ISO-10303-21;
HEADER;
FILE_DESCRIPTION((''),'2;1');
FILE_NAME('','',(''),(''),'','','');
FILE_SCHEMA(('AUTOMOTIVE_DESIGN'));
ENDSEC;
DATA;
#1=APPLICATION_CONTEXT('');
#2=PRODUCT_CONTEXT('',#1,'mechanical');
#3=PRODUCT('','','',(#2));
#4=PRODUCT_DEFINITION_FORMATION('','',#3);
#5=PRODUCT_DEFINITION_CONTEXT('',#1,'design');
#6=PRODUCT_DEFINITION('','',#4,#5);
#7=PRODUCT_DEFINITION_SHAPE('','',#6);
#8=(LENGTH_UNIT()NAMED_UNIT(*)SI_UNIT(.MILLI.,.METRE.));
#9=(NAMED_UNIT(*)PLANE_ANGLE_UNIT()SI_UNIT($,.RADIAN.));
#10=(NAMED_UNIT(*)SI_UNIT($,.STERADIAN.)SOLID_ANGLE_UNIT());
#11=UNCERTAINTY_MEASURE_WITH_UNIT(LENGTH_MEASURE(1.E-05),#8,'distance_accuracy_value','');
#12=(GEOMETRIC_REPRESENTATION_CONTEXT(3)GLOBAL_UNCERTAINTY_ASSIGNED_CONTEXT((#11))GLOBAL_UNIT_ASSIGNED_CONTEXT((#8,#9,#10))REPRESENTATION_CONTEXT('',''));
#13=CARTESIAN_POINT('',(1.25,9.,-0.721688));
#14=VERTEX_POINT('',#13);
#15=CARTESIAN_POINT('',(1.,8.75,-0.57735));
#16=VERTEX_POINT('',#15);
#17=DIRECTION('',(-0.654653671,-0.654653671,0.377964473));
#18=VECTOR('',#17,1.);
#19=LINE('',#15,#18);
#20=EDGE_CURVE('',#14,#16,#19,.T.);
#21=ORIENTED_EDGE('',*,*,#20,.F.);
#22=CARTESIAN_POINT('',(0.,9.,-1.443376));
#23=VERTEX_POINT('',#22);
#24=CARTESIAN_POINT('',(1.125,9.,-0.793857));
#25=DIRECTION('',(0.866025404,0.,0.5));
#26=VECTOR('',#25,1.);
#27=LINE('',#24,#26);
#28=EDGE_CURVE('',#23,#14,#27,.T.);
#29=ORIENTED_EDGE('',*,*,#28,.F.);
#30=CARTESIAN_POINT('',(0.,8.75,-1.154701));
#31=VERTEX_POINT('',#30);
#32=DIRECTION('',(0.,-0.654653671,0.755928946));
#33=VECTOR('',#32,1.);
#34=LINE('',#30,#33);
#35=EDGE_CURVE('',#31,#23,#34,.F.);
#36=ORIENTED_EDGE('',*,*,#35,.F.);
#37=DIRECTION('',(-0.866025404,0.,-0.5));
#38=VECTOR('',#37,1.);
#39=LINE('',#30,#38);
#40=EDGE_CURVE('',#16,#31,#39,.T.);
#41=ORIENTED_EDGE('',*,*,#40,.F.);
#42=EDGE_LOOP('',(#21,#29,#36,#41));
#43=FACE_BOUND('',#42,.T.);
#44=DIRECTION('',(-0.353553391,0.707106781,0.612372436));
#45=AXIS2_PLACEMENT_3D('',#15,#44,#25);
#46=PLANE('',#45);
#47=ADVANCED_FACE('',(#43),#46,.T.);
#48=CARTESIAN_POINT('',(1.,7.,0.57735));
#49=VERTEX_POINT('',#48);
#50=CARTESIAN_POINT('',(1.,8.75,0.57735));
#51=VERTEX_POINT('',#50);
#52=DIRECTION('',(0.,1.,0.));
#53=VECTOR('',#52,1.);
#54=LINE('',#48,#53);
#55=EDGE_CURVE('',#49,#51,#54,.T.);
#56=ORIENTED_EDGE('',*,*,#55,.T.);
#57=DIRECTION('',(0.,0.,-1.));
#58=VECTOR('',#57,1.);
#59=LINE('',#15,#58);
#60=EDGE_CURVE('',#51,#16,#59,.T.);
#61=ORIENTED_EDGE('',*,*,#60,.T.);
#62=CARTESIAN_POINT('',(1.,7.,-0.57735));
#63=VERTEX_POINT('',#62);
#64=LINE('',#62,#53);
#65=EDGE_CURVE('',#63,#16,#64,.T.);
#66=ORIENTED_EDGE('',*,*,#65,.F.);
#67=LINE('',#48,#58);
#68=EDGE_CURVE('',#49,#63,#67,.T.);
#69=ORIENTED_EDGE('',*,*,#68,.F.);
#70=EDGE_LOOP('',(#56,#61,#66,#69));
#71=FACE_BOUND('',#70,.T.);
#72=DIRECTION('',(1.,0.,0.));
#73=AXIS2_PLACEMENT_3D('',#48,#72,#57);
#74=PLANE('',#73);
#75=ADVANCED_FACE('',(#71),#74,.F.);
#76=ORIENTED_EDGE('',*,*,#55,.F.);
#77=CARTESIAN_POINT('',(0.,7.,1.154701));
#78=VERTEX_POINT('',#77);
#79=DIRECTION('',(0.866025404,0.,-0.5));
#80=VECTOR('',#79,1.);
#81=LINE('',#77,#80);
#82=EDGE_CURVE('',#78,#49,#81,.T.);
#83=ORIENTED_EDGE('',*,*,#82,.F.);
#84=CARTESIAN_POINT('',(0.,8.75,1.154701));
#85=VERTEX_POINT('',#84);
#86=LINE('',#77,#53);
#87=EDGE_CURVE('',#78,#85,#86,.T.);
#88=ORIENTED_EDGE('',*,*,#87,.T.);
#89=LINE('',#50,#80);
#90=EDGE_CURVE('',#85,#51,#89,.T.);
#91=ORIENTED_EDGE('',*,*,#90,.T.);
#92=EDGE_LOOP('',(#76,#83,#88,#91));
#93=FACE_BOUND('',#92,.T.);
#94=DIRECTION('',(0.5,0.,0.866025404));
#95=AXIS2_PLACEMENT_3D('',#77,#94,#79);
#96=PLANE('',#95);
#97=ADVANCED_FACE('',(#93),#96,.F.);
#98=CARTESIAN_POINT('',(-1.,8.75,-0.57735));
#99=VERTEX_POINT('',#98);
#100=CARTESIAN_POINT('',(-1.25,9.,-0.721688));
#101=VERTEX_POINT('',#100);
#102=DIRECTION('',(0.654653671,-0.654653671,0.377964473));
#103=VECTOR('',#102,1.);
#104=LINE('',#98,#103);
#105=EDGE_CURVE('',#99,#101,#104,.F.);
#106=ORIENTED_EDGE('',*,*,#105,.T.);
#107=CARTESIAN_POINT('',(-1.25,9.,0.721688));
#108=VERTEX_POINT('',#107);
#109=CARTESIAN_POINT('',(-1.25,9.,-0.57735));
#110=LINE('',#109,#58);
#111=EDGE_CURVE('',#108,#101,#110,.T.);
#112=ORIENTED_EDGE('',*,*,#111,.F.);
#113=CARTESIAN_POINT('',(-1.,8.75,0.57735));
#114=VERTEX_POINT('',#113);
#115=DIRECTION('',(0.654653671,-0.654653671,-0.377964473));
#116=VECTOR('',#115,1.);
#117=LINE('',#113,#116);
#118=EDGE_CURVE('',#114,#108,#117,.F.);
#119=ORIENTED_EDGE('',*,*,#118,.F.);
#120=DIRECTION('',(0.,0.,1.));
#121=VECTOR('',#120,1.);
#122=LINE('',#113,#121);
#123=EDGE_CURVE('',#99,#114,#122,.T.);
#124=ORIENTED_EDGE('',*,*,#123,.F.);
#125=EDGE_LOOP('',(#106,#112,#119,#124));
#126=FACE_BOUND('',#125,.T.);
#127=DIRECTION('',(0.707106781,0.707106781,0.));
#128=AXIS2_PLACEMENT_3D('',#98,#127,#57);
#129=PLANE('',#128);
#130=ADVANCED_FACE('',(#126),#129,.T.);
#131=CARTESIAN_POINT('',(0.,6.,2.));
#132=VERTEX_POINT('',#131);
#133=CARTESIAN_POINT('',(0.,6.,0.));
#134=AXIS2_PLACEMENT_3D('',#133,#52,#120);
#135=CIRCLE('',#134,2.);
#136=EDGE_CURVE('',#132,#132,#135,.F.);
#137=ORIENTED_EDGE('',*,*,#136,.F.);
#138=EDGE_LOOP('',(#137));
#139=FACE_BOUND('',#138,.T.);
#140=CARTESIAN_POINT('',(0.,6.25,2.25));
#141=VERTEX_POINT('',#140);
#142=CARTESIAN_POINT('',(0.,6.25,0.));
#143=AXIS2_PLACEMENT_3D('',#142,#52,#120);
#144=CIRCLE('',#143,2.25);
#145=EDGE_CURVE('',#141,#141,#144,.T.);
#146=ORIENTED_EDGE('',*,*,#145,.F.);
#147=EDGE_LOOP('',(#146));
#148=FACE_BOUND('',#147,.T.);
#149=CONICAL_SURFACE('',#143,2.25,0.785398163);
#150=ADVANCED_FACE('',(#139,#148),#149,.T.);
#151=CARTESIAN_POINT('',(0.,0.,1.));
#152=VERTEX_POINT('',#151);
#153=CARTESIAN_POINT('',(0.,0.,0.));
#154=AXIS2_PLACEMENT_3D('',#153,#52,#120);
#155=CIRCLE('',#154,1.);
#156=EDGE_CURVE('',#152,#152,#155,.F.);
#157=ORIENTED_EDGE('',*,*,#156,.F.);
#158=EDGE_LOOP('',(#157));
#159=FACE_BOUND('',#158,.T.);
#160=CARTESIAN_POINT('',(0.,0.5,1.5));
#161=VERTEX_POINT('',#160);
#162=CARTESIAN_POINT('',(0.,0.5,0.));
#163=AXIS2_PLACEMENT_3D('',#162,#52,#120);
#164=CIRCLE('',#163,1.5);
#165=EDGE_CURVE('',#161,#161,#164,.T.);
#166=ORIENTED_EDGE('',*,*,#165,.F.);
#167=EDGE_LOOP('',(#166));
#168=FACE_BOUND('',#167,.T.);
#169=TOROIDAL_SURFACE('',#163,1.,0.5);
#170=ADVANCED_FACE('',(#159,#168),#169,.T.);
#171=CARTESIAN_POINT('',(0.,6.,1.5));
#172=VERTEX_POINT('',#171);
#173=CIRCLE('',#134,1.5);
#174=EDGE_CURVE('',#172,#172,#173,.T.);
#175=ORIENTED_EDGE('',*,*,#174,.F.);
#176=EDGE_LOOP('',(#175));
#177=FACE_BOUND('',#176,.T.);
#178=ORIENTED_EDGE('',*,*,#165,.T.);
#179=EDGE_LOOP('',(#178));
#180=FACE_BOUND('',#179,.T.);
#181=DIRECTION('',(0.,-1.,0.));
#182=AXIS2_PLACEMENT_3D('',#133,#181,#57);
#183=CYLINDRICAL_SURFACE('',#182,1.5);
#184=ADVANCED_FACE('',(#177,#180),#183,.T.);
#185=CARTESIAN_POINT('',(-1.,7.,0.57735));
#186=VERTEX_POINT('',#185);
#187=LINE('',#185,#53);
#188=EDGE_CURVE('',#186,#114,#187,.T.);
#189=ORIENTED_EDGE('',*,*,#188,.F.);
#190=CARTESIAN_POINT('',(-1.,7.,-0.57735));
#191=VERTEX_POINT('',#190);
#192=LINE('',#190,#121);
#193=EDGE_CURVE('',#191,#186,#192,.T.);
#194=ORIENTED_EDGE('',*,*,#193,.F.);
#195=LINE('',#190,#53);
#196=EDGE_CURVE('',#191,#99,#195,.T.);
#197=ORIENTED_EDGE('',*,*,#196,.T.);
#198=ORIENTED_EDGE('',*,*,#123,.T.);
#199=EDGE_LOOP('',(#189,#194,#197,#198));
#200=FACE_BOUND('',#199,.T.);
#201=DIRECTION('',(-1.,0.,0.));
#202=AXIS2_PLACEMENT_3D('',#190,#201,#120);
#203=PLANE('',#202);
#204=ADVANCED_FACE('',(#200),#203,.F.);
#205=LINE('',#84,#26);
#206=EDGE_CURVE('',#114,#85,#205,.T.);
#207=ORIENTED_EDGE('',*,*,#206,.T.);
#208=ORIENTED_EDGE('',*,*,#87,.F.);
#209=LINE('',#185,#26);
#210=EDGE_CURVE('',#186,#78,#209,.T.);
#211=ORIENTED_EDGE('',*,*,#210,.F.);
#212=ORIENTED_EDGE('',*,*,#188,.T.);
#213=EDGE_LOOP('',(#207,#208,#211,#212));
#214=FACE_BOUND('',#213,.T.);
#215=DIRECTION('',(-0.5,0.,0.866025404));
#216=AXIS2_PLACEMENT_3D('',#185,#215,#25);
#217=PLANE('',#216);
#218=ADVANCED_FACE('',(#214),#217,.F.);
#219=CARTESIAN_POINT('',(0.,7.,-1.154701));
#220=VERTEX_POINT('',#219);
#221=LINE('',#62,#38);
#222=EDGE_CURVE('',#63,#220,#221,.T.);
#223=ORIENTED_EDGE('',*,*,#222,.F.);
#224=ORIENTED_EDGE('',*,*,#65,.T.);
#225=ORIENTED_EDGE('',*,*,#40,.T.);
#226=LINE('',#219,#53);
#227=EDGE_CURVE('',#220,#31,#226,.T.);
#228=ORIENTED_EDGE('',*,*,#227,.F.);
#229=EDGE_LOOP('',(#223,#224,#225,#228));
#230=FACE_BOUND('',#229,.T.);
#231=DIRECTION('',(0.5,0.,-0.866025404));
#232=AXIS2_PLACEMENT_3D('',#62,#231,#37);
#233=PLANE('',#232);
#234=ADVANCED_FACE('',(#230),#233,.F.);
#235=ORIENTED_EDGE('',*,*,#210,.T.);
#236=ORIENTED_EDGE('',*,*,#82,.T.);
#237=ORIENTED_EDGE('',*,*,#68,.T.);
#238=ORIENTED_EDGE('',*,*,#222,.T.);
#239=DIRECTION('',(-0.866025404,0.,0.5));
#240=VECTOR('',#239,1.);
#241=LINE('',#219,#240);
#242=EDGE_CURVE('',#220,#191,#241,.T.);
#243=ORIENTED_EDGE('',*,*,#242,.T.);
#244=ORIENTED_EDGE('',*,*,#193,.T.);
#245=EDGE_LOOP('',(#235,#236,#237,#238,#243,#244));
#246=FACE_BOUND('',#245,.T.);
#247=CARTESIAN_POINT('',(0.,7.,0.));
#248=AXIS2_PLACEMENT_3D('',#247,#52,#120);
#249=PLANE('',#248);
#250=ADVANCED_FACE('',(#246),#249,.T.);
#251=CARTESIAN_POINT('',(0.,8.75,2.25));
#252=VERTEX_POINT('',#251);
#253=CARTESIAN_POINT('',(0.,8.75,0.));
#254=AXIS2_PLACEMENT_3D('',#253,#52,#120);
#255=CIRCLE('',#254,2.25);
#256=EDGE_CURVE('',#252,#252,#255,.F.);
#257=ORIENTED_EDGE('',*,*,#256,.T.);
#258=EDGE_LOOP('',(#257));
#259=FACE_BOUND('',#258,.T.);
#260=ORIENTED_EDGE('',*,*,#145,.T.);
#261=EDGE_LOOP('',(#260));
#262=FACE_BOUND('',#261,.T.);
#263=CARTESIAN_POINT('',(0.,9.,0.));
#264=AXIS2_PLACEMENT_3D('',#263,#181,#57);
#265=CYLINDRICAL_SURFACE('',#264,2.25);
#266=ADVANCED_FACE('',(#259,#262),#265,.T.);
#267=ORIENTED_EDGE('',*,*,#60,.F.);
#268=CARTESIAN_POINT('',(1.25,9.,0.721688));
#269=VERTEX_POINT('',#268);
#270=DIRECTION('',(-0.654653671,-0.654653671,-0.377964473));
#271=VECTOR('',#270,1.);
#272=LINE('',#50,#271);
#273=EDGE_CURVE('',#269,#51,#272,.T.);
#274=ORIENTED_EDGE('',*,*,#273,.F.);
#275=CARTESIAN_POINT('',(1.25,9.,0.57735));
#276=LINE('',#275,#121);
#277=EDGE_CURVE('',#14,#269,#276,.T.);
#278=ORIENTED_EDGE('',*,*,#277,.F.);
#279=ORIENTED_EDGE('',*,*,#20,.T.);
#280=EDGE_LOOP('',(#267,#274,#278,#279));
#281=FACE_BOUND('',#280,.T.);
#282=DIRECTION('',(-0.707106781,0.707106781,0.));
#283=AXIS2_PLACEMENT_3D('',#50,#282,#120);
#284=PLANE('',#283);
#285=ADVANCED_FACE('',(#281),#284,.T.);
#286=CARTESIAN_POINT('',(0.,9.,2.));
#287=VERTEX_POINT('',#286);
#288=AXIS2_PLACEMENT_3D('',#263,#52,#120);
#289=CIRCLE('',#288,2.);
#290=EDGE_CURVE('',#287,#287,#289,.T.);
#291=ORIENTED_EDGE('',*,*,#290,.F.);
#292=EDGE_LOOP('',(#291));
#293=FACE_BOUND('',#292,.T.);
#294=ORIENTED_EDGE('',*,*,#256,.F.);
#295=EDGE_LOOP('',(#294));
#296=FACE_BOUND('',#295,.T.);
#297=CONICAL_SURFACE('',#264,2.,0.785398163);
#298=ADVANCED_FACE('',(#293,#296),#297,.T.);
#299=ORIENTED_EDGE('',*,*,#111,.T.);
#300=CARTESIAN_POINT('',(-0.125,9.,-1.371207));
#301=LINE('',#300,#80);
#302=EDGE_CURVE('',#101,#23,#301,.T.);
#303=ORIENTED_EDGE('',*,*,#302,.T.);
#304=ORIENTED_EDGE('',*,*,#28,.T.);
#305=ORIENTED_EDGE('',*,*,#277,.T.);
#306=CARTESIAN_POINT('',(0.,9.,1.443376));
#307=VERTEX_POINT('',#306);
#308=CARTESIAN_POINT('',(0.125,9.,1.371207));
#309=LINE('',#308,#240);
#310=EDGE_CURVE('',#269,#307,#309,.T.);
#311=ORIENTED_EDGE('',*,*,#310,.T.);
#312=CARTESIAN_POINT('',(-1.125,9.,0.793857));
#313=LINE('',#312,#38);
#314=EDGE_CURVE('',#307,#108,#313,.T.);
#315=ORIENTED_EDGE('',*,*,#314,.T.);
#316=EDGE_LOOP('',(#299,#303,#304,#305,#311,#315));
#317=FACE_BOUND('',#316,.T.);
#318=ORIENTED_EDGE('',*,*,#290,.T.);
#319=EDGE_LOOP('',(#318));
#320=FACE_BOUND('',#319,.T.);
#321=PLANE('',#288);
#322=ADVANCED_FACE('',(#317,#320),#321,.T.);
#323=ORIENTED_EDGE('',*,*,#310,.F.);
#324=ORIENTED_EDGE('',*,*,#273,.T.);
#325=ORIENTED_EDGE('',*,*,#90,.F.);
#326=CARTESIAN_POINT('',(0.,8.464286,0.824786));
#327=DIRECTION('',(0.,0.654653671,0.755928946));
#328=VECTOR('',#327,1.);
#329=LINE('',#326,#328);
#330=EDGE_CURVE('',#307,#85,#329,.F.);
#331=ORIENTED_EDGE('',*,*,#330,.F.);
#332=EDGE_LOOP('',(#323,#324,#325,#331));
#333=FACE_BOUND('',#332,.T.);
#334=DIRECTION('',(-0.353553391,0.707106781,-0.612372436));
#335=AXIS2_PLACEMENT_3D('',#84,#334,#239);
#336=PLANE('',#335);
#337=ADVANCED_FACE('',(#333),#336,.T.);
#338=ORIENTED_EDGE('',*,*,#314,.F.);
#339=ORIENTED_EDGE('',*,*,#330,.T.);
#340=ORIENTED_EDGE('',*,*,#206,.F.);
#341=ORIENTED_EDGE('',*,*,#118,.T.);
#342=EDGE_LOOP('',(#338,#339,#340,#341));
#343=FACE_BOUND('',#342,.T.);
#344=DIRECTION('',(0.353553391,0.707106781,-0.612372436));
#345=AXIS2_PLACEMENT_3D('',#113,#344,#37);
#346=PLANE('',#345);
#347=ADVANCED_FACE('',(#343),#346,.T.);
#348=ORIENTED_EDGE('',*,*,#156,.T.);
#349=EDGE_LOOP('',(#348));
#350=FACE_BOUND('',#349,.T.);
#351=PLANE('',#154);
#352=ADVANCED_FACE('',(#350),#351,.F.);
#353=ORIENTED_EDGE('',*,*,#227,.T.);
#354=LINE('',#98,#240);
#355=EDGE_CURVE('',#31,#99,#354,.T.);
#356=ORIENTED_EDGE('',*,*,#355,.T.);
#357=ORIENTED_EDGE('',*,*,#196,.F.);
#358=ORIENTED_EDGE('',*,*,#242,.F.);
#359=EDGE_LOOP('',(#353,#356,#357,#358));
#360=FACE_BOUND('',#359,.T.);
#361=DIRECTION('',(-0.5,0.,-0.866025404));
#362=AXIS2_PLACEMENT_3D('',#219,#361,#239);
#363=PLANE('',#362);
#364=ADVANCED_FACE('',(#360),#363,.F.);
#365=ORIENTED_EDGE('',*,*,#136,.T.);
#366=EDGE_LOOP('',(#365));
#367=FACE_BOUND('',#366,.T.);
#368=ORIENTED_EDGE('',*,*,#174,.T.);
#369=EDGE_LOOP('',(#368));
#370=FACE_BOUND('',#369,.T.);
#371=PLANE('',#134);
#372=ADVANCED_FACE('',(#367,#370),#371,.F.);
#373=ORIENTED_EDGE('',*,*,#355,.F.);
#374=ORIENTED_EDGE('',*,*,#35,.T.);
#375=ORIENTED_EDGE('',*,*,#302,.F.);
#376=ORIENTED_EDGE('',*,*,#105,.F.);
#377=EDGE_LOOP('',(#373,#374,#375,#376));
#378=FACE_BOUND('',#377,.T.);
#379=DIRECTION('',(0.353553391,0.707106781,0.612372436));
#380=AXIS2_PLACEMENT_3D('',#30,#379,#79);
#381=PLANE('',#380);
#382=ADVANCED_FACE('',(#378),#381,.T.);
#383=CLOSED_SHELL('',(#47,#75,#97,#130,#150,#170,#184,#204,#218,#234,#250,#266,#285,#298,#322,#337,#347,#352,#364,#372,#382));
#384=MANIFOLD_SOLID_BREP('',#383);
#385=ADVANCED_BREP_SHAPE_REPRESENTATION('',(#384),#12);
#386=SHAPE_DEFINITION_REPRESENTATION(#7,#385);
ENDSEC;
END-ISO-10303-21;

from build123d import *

# Parameters (mm, degrees)
SKETCH1_R           = 1.5
BOSS_EXTRUDE1_DEPTH = 6
SKETCH2_R           = 2.25
BOSS_EXTRUDE2_DEPTH = 3
CUT_EXTRUDE1_DEPTH  = 2
CHAMFER1_SIZE       = 0.25
FILLET1_R           = 0.5


with BuildPart() as part:
    # Sketch1 → Boss-Extrude1 (new body)
    with BuildSketch(Plane(origin=(0, 0, 0), x_dir=(1, 0, 0), z_dir=(0, 1, 0))):
        with Locations(Location((0, 0, 0), (0, 0, 270))):
            Circle(SKETCH1_R)
    extrude(amount=BOSS_EXTRUDE1_DEPTH)

    # Sketch2 → Boss-Extrude2 (add)
    with BuildSketch(Plane(origin=(0, 6, 0), x_dir=(1, 0, 0), z_dir=(0, 1, 0))):
        with Locations(Location((0, 0, 0), (0, 0, 270))):
            Circle(SKETCH2_R)
    extrude(amount=BOSS_EXTRUDE2_DEPTH)

    # Sketch3 → Cut-Extrude1 (cut)
    with BuildSketch(Plane(origin=(0, 9, 0), x_dir=(1, 0, 0), z_dir=(0, 1, 0))):
        Polygon((0, 1.154700538), (-1, 0.577350269), (-1, -0.577350269), (0, -1.154700538), (1, -0.577350269), (1, 0.577350269), align=None)
    extrude(amount=-CUT_EXTRUDE1_DEPTH, mode=Mode.SUBTRACT)

    # Chamfer1
    chamfer1_edges = [part.edges().sort_by_distance(p)[0] for p in [
        (0.5, 9, -0.866025404),
        (-0.5, 9, -0.866025404),
        (-1, 9, 0),
        (-0.5, 9, 0.866025404),
        (0.5, 9, 0.866025404),
        (1, 9, 0),
        (0, 6, -2.25),
        (0, 9, -2.25),
    ]]
    chamfer(chamfer1_edges, length=CHAMFER1_SIZE)

    # Fillet1
    fillet1_edges = [part.edges().sort_by_distance(p)[0] for p in [
        (0, 0, -1.5),
    ]]
    fillet(fillet1_edges, radius=FILLET1_R)


solid = part.part
